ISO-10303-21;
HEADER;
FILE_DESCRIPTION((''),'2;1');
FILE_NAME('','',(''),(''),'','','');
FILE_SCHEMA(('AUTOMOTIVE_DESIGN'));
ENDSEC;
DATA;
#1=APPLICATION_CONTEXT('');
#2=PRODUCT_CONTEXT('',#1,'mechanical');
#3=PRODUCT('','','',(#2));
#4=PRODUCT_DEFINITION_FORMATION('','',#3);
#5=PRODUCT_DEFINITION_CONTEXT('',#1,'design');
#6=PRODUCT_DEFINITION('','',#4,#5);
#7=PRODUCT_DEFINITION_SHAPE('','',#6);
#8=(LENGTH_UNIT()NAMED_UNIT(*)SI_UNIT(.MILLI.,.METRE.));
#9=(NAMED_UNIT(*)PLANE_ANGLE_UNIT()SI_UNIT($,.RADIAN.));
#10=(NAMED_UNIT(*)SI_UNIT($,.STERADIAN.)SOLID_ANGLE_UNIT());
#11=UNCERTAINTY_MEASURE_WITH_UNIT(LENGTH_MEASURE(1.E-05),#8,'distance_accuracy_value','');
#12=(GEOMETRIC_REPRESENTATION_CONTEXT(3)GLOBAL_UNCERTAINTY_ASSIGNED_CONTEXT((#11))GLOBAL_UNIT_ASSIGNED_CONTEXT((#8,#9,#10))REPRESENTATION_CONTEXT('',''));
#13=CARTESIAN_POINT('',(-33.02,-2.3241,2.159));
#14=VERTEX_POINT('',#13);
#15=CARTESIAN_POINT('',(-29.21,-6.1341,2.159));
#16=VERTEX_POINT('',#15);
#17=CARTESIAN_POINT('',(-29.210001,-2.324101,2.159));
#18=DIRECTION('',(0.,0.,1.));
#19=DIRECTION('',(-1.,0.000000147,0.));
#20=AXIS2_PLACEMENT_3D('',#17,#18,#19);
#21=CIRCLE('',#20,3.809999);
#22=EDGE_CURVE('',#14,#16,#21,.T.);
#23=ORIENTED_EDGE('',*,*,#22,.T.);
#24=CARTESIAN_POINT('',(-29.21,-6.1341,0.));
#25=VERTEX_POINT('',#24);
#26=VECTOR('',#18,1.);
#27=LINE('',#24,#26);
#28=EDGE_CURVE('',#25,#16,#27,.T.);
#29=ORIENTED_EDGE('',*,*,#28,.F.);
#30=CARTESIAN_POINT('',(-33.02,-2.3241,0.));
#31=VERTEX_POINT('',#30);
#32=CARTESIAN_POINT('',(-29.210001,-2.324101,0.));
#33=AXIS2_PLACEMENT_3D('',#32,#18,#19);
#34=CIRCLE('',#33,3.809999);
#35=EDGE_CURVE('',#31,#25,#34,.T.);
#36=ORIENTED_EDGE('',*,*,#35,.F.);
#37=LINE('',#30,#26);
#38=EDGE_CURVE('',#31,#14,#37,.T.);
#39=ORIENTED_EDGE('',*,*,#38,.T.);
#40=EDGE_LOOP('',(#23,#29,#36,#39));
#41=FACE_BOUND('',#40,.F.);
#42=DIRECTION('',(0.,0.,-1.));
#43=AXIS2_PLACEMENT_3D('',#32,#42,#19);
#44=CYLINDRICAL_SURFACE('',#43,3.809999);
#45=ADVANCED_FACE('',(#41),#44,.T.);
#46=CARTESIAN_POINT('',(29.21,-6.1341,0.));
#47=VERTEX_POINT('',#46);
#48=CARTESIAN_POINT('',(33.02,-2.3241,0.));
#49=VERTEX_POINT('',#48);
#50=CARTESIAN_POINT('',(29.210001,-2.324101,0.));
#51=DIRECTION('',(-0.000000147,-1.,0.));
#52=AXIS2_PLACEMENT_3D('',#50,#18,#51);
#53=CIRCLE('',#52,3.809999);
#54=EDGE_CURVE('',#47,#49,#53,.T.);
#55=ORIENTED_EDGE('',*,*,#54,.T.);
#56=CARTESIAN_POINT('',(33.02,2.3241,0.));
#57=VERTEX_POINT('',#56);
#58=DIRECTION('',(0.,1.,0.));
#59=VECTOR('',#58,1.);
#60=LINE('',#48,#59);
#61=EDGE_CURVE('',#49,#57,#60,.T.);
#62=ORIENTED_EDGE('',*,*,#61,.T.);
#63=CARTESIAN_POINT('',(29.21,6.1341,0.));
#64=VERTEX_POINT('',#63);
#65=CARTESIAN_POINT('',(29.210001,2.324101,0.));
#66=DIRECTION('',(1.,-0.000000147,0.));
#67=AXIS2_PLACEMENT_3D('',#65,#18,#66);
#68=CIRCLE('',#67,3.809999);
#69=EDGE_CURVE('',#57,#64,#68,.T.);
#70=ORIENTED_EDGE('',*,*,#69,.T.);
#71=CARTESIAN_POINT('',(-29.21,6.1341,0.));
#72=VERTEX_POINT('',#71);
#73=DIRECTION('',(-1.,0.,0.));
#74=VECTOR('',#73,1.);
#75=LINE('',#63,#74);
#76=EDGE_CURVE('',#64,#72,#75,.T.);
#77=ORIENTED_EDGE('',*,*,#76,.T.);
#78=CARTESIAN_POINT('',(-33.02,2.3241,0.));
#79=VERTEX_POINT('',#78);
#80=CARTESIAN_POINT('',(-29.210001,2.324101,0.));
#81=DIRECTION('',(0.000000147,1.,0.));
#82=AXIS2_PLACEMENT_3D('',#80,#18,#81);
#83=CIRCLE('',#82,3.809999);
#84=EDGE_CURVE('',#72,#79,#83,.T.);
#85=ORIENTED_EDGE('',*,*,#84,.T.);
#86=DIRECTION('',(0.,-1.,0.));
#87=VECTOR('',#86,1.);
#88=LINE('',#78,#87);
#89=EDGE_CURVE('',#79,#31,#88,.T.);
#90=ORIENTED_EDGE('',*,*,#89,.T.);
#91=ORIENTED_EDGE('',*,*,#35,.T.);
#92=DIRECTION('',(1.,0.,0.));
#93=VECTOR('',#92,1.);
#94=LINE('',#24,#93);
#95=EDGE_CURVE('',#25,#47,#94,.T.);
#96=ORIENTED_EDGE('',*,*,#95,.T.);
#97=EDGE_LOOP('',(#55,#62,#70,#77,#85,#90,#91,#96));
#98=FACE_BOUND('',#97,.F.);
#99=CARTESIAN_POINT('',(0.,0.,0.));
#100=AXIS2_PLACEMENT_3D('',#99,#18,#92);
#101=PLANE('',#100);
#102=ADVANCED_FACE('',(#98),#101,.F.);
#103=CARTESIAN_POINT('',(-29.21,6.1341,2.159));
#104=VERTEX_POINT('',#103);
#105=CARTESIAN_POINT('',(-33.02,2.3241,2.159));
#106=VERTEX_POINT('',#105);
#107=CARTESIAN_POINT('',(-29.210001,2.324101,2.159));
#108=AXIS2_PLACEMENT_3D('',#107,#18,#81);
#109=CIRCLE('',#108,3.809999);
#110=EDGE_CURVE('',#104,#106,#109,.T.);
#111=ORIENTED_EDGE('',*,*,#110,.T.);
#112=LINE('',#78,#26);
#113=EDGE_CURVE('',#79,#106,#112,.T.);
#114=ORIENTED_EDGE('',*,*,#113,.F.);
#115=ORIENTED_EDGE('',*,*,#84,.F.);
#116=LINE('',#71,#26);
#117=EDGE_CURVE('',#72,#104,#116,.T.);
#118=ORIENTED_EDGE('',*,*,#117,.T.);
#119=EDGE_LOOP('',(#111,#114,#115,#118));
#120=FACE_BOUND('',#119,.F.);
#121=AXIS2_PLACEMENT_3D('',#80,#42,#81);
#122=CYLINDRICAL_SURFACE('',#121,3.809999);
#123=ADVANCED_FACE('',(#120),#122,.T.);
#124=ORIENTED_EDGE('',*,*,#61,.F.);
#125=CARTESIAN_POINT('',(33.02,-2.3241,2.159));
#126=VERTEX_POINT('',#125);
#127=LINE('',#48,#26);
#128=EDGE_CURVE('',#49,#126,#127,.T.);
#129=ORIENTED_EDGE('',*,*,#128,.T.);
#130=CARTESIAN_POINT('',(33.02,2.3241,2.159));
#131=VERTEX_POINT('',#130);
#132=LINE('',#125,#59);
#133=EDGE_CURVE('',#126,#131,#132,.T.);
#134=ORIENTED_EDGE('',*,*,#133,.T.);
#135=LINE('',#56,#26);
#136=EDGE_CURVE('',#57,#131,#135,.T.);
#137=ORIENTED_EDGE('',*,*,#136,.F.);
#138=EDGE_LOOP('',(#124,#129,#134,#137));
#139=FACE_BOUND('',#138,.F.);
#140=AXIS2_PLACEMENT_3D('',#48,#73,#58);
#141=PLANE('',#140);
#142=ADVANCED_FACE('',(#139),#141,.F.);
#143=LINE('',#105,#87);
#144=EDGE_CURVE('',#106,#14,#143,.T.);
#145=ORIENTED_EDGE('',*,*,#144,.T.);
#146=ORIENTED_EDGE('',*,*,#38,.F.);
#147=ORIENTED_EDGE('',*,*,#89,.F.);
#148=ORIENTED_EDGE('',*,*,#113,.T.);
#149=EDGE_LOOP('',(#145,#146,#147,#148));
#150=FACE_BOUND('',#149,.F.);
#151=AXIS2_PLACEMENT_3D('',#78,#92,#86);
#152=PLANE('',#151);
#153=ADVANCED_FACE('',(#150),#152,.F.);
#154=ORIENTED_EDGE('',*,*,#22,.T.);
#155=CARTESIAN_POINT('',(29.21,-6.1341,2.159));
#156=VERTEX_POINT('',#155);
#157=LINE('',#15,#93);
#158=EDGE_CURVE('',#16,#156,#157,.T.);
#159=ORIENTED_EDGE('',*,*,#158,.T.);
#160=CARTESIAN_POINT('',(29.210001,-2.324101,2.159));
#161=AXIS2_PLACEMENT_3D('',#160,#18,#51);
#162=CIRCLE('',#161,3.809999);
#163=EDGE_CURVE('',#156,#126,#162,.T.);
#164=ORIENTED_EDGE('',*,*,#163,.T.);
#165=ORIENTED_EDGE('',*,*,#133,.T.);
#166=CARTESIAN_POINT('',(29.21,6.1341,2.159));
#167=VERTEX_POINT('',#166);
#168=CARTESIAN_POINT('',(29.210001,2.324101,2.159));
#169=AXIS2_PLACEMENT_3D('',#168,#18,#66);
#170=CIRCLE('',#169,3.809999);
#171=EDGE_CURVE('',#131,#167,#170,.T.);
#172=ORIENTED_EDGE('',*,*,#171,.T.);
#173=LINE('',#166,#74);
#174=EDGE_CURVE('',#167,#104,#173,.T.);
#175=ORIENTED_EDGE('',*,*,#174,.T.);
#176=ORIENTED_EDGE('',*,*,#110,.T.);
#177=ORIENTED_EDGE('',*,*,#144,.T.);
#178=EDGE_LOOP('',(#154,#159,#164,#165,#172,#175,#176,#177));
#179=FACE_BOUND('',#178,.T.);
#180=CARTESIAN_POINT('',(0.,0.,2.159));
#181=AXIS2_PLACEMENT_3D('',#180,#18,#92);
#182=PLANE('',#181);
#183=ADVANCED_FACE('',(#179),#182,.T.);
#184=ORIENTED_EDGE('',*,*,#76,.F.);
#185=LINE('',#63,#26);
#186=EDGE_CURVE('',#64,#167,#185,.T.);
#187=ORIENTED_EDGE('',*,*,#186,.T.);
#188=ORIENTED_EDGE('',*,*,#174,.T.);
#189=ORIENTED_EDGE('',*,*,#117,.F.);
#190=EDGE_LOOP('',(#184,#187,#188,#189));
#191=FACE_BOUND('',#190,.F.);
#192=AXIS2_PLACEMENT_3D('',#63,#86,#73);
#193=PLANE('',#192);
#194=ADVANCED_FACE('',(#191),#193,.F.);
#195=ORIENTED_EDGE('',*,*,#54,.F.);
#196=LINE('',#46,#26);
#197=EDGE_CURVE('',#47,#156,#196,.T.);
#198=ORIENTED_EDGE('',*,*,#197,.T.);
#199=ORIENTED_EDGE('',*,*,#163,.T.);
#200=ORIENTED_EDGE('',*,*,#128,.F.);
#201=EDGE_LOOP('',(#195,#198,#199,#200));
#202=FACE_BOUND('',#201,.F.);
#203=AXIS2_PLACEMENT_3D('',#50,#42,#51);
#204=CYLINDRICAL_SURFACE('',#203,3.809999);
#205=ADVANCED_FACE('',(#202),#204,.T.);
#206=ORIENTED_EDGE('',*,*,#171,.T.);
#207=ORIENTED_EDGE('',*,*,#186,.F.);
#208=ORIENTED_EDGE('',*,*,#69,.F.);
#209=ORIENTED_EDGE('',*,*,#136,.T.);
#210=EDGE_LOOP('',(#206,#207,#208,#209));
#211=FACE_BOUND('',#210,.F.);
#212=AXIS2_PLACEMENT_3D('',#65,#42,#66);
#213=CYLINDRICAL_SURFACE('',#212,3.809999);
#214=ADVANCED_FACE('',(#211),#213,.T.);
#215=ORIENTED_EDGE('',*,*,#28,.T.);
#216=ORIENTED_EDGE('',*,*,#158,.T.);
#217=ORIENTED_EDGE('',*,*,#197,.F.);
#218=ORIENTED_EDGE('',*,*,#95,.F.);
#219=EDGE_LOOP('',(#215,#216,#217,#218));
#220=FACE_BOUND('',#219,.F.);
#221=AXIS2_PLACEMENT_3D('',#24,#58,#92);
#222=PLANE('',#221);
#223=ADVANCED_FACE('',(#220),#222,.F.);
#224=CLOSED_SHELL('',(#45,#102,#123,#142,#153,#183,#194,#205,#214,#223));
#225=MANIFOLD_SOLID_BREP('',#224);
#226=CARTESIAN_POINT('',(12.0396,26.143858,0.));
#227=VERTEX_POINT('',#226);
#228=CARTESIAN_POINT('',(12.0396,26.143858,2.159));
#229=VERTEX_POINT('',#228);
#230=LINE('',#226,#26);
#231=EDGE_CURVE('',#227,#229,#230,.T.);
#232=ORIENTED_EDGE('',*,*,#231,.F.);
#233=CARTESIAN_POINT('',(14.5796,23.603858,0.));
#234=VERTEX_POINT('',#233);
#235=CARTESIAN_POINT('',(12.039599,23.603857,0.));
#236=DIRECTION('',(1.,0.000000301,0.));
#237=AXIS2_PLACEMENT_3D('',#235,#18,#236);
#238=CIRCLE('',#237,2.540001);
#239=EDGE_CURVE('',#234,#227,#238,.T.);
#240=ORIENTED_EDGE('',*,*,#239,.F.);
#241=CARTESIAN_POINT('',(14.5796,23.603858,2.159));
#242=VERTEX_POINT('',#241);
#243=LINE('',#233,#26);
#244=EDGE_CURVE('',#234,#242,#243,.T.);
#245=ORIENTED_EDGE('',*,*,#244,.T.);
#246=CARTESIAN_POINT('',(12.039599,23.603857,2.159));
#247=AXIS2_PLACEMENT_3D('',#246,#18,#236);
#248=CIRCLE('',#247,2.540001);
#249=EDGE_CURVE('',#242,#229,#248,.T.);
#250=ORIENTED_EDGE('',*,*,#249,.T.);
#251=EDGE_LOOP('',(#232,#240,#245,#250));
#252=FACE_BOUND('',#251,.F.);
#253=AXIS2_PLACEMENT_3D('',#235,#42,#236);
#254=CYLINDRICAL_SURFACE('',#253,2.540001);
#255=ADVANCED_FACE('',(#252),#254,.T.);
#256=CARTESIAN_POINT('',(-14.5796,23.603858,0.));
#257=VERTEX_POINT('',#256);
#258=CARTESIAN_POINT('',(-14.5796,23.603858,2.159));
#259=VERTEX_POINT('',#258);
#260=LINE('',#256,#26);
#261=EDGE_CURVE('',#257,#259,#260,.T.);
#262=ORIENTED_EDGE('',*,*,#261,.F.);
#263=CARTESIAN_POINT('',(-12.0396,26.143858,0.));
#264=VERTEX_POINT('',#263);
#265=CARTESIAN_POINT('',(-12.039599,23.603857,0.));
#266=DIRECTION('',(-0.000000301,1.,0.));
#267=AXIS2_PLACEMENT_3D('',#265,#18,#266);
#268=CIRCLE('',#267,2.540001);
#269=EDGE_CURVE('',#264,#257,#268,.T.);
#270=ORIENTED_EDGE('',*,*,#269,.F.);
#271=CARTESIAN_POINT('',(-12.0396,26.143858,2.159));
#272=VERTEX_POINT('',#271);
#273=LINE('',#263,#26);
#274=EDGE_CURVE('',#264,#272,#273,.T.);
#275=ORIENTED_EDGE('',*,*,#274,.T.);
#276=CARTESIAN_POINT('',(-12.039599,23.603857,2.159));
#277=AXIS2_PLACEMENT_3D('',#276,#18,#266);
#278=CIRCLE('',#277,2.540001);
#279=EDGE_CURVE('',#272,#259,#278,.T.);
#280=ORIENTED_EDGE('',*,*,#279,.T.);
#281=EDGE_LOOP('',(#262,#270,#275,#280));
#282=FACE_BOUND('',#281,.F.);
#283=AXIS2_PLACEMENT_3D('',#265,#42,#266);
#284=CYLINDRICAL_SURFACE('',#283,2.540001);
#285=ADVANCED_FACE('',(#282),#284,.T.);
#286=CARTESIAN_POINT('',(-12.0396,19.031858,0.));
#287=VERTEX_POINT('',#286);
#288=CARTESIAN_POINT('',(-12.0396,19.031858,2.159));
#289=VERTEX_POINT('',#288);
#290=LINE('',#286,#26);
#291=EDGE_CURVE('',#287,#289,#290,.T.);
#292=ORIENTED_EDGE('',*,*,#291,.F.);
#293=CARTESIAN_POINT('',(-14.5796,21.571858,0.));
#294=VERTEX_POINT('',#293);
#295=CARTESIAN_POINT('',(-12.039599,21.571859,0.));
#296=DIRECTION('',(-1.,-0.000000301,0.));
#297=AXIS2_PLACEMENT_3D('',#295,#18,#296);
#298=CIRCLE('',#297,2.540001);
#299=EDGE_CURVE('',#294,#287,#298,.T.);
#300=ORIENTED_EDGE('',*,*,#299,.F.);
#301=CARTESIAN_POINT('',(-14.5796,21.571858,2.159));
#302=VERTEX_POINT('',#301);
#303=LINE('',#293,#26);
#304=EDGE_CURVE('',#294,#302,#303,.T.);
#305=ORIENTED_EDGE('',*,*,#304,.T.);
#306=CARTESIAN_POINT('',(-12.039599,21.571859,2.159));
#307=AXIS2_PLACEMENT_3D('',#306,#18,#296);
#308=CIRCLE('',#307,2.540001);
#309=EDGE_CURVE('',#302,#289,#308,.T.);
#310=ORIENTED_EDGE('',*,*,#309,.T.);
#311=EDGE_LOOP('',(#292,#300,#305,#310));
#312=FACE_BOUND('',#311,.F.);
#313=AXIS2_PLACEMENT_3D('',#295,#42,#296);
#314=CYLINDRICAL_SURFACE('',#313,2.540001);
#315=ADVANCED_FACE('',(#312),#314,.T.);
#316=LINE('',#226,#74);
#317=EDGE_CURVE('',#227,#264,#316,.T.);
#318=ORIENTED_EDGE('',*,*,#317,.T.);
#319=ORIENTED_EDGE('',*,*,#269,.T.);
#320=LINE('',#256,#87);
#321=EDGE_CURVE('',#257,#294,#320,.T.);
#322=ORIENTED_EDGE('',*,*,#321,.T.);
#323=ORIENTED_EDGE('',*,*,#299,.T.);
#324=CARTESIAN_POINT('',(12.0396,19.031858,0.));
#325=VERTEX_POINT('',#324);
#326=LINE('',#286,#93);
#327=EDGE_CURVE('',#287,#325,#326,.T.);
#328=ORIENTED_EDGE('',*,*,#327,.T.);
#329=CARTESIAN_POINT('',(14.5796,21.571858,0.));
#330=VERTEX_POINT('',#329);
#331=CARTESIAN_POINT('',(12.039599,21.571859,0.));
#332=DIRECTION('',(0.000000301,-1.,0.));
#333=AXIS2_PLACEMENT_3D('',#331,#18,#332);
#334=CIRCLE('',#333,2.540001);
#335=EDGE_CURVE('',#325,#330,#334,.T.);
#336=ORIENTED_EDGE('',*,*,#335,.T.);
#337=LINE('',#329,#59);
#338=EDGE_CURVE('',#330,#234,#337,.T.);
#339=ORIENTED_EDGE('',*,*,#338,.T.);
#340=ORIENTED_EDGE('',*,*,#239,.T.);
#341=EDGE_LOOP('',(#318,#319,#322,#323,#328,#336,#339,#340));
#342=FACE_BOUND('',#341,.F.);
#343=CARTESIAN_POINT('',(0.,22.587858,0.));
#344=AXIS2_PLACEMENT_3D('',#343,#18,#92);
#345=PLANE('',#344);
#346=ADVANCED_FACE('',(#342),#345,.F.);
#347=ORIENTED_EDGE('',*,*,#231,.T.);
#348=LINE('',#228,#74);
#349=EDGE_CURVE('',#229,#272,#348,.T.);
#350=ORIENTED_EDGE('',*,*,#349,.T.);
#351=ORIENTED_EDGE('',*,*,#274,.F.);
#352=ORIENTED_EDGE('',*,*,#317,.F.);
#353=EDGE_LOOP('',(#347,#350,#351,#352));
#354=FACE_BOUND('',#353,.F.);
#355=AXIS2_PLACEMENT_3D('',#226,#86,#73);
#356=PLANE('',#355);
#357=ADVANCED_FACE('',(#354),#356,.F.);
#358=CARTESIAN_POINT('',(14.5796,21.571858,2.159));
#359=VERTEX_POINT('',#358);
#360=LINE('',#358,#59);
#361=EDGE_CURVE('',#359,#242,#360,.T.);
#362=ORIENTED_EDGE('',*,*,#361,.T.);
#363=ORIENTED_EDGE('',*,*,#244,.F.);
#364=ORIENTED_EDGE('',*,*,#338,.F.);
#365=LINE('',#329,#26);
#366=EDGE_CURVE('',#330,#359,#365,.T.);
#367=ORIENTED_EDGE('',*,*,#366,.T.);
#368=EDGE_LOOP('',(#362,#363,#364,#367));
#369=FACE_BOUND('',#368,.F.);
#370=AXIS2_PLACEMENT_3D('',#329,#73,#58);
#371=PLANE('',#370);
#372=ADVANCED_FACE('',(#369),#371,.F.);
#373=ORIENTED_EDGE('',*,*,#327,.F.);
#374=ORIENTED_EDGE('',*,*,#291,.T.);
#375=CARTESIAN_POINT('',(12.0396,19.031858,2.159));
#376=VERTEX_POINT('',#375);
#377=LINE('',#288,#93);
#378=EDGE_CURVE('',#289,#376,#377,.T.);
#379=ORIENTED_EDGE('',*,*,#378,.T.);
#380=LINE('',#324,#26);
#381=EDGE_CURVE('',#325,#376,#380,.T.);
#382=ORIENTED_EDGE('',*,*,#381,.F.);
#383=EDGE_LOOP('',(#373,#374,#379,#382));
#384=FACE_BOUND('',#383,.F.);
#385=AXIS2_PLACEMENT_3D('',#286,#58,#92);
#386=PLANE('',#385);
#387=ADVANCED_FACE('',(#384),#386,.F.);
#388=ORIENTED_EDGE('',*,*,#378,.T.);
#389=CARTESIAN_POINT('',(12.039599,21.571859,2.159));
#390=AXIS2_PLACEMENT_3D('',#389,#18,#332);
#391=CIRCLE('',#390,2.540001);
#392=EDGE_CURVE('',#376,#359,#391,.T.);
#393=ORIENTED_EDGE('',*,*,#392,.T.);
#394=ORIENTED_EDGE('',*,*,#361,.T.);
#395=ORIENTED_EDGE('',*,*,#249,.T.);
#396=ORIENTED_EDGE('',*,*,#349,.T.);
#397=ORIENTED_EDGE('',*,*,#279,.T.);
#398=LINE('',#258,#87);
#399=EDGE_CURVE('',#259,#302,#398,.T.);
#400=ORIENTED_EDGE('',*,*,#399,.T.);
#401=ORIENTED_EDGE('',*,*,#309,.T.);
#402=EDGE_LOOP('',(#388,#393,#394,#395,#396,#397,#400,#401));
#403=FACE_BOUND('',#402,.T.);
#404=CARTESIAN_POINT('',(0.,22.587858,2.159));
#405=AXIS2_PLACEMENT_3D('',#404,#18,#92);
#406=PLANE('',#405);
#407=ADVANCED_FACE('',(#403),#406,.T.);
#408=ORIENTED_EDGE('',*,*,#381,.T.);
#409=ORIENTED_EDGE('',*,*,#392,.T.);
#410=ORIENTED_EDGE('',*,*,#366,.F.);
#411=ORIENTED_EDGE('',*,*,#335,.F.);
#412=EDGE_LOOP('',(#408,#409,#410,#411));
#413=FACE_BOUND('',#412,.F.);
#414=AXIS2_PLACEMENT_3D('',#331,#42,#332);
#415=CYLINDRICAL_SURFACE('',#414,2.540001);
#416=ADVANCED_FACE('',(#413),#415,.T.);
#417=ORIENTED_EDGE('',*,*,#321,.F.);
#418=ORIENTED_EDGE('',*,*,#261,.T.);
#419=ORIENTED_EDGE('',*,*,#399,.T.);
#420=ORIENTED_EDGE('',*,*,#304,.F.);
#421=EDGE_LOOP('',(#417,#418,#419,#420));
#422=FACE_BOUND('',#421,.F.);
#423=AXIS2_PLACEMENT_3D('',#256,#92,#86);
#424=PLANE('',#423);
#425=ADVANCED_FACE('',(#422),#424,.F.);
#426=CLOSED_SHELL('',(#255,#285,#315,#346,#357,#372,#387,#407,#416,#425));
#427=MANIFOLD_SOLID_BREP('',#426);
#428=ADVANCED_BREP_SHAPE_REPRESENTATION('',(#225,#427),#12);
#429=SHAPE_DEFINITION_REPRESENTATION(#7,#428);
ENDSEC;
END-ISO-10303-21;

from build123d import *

# Parameters (mm, degrees)
F1_DEPTH = 2.159


with BuildPart() as f1:
    # F0 (on Top) → F1 (new body)
    with BuildSketch(Plane.XY):
        with BuildLine():
            Line((-12.0396, 19.031858), (12.0396, 19.031858))
            ThreePointArc((12.0396, 19.031858), (13.835651, 19.775807), (14.5796, 21.571858))
            Line((14.5796, 21.571858), (14.5796, 23.603858))
            ThreePointArc((14.5796, 23.603858), (13.835651, 25.399909), (12.0396, 26.143858))
            Line((12.0396, 26.143858), (-12.0396, 26.143858))
            ThreePointArc((-12.0396, 26.143858), (-13.835651, 25.399909), (-14.5796, 23.603858))
            Line((-14.5796, 23.603858), (-14.5796, 21.571858))
            ThreePointArc((-14.5796, 21.571858), (-13.835651, 19.775807), (-12.0396, 19.031858))
        make_face()
        with BuildLine():
            Line((-29.21, -6.1341), (29.21, -6.1341))
            ThreePointArc((29.21, -6.1341), (31.904077, -5.018177), (33.02, -2.3241))
            Line((33.02, -2.3241), (33.02, 2.3241))
            ThreePointArc((33.02, 2.3241), (31.904077, 5.018177), (29.21, 6.1341))
            Line((29.21, 6.1341), (-29.21, 6.1341))
            ThreePointArc((-29.21, 6.1341), (-31.904077, 5.018177), (-33.02, 2.3241))
            Line((-33.02, 2.3241), (-33.02, -2.3241))
            ThreePointArc((-33.02, -2.3241), (-31.904077, -5.018177), (-29.21, -6.1341))
        make_face()
    extrude(amount=F1_DEPTH)


solid = f1.part
